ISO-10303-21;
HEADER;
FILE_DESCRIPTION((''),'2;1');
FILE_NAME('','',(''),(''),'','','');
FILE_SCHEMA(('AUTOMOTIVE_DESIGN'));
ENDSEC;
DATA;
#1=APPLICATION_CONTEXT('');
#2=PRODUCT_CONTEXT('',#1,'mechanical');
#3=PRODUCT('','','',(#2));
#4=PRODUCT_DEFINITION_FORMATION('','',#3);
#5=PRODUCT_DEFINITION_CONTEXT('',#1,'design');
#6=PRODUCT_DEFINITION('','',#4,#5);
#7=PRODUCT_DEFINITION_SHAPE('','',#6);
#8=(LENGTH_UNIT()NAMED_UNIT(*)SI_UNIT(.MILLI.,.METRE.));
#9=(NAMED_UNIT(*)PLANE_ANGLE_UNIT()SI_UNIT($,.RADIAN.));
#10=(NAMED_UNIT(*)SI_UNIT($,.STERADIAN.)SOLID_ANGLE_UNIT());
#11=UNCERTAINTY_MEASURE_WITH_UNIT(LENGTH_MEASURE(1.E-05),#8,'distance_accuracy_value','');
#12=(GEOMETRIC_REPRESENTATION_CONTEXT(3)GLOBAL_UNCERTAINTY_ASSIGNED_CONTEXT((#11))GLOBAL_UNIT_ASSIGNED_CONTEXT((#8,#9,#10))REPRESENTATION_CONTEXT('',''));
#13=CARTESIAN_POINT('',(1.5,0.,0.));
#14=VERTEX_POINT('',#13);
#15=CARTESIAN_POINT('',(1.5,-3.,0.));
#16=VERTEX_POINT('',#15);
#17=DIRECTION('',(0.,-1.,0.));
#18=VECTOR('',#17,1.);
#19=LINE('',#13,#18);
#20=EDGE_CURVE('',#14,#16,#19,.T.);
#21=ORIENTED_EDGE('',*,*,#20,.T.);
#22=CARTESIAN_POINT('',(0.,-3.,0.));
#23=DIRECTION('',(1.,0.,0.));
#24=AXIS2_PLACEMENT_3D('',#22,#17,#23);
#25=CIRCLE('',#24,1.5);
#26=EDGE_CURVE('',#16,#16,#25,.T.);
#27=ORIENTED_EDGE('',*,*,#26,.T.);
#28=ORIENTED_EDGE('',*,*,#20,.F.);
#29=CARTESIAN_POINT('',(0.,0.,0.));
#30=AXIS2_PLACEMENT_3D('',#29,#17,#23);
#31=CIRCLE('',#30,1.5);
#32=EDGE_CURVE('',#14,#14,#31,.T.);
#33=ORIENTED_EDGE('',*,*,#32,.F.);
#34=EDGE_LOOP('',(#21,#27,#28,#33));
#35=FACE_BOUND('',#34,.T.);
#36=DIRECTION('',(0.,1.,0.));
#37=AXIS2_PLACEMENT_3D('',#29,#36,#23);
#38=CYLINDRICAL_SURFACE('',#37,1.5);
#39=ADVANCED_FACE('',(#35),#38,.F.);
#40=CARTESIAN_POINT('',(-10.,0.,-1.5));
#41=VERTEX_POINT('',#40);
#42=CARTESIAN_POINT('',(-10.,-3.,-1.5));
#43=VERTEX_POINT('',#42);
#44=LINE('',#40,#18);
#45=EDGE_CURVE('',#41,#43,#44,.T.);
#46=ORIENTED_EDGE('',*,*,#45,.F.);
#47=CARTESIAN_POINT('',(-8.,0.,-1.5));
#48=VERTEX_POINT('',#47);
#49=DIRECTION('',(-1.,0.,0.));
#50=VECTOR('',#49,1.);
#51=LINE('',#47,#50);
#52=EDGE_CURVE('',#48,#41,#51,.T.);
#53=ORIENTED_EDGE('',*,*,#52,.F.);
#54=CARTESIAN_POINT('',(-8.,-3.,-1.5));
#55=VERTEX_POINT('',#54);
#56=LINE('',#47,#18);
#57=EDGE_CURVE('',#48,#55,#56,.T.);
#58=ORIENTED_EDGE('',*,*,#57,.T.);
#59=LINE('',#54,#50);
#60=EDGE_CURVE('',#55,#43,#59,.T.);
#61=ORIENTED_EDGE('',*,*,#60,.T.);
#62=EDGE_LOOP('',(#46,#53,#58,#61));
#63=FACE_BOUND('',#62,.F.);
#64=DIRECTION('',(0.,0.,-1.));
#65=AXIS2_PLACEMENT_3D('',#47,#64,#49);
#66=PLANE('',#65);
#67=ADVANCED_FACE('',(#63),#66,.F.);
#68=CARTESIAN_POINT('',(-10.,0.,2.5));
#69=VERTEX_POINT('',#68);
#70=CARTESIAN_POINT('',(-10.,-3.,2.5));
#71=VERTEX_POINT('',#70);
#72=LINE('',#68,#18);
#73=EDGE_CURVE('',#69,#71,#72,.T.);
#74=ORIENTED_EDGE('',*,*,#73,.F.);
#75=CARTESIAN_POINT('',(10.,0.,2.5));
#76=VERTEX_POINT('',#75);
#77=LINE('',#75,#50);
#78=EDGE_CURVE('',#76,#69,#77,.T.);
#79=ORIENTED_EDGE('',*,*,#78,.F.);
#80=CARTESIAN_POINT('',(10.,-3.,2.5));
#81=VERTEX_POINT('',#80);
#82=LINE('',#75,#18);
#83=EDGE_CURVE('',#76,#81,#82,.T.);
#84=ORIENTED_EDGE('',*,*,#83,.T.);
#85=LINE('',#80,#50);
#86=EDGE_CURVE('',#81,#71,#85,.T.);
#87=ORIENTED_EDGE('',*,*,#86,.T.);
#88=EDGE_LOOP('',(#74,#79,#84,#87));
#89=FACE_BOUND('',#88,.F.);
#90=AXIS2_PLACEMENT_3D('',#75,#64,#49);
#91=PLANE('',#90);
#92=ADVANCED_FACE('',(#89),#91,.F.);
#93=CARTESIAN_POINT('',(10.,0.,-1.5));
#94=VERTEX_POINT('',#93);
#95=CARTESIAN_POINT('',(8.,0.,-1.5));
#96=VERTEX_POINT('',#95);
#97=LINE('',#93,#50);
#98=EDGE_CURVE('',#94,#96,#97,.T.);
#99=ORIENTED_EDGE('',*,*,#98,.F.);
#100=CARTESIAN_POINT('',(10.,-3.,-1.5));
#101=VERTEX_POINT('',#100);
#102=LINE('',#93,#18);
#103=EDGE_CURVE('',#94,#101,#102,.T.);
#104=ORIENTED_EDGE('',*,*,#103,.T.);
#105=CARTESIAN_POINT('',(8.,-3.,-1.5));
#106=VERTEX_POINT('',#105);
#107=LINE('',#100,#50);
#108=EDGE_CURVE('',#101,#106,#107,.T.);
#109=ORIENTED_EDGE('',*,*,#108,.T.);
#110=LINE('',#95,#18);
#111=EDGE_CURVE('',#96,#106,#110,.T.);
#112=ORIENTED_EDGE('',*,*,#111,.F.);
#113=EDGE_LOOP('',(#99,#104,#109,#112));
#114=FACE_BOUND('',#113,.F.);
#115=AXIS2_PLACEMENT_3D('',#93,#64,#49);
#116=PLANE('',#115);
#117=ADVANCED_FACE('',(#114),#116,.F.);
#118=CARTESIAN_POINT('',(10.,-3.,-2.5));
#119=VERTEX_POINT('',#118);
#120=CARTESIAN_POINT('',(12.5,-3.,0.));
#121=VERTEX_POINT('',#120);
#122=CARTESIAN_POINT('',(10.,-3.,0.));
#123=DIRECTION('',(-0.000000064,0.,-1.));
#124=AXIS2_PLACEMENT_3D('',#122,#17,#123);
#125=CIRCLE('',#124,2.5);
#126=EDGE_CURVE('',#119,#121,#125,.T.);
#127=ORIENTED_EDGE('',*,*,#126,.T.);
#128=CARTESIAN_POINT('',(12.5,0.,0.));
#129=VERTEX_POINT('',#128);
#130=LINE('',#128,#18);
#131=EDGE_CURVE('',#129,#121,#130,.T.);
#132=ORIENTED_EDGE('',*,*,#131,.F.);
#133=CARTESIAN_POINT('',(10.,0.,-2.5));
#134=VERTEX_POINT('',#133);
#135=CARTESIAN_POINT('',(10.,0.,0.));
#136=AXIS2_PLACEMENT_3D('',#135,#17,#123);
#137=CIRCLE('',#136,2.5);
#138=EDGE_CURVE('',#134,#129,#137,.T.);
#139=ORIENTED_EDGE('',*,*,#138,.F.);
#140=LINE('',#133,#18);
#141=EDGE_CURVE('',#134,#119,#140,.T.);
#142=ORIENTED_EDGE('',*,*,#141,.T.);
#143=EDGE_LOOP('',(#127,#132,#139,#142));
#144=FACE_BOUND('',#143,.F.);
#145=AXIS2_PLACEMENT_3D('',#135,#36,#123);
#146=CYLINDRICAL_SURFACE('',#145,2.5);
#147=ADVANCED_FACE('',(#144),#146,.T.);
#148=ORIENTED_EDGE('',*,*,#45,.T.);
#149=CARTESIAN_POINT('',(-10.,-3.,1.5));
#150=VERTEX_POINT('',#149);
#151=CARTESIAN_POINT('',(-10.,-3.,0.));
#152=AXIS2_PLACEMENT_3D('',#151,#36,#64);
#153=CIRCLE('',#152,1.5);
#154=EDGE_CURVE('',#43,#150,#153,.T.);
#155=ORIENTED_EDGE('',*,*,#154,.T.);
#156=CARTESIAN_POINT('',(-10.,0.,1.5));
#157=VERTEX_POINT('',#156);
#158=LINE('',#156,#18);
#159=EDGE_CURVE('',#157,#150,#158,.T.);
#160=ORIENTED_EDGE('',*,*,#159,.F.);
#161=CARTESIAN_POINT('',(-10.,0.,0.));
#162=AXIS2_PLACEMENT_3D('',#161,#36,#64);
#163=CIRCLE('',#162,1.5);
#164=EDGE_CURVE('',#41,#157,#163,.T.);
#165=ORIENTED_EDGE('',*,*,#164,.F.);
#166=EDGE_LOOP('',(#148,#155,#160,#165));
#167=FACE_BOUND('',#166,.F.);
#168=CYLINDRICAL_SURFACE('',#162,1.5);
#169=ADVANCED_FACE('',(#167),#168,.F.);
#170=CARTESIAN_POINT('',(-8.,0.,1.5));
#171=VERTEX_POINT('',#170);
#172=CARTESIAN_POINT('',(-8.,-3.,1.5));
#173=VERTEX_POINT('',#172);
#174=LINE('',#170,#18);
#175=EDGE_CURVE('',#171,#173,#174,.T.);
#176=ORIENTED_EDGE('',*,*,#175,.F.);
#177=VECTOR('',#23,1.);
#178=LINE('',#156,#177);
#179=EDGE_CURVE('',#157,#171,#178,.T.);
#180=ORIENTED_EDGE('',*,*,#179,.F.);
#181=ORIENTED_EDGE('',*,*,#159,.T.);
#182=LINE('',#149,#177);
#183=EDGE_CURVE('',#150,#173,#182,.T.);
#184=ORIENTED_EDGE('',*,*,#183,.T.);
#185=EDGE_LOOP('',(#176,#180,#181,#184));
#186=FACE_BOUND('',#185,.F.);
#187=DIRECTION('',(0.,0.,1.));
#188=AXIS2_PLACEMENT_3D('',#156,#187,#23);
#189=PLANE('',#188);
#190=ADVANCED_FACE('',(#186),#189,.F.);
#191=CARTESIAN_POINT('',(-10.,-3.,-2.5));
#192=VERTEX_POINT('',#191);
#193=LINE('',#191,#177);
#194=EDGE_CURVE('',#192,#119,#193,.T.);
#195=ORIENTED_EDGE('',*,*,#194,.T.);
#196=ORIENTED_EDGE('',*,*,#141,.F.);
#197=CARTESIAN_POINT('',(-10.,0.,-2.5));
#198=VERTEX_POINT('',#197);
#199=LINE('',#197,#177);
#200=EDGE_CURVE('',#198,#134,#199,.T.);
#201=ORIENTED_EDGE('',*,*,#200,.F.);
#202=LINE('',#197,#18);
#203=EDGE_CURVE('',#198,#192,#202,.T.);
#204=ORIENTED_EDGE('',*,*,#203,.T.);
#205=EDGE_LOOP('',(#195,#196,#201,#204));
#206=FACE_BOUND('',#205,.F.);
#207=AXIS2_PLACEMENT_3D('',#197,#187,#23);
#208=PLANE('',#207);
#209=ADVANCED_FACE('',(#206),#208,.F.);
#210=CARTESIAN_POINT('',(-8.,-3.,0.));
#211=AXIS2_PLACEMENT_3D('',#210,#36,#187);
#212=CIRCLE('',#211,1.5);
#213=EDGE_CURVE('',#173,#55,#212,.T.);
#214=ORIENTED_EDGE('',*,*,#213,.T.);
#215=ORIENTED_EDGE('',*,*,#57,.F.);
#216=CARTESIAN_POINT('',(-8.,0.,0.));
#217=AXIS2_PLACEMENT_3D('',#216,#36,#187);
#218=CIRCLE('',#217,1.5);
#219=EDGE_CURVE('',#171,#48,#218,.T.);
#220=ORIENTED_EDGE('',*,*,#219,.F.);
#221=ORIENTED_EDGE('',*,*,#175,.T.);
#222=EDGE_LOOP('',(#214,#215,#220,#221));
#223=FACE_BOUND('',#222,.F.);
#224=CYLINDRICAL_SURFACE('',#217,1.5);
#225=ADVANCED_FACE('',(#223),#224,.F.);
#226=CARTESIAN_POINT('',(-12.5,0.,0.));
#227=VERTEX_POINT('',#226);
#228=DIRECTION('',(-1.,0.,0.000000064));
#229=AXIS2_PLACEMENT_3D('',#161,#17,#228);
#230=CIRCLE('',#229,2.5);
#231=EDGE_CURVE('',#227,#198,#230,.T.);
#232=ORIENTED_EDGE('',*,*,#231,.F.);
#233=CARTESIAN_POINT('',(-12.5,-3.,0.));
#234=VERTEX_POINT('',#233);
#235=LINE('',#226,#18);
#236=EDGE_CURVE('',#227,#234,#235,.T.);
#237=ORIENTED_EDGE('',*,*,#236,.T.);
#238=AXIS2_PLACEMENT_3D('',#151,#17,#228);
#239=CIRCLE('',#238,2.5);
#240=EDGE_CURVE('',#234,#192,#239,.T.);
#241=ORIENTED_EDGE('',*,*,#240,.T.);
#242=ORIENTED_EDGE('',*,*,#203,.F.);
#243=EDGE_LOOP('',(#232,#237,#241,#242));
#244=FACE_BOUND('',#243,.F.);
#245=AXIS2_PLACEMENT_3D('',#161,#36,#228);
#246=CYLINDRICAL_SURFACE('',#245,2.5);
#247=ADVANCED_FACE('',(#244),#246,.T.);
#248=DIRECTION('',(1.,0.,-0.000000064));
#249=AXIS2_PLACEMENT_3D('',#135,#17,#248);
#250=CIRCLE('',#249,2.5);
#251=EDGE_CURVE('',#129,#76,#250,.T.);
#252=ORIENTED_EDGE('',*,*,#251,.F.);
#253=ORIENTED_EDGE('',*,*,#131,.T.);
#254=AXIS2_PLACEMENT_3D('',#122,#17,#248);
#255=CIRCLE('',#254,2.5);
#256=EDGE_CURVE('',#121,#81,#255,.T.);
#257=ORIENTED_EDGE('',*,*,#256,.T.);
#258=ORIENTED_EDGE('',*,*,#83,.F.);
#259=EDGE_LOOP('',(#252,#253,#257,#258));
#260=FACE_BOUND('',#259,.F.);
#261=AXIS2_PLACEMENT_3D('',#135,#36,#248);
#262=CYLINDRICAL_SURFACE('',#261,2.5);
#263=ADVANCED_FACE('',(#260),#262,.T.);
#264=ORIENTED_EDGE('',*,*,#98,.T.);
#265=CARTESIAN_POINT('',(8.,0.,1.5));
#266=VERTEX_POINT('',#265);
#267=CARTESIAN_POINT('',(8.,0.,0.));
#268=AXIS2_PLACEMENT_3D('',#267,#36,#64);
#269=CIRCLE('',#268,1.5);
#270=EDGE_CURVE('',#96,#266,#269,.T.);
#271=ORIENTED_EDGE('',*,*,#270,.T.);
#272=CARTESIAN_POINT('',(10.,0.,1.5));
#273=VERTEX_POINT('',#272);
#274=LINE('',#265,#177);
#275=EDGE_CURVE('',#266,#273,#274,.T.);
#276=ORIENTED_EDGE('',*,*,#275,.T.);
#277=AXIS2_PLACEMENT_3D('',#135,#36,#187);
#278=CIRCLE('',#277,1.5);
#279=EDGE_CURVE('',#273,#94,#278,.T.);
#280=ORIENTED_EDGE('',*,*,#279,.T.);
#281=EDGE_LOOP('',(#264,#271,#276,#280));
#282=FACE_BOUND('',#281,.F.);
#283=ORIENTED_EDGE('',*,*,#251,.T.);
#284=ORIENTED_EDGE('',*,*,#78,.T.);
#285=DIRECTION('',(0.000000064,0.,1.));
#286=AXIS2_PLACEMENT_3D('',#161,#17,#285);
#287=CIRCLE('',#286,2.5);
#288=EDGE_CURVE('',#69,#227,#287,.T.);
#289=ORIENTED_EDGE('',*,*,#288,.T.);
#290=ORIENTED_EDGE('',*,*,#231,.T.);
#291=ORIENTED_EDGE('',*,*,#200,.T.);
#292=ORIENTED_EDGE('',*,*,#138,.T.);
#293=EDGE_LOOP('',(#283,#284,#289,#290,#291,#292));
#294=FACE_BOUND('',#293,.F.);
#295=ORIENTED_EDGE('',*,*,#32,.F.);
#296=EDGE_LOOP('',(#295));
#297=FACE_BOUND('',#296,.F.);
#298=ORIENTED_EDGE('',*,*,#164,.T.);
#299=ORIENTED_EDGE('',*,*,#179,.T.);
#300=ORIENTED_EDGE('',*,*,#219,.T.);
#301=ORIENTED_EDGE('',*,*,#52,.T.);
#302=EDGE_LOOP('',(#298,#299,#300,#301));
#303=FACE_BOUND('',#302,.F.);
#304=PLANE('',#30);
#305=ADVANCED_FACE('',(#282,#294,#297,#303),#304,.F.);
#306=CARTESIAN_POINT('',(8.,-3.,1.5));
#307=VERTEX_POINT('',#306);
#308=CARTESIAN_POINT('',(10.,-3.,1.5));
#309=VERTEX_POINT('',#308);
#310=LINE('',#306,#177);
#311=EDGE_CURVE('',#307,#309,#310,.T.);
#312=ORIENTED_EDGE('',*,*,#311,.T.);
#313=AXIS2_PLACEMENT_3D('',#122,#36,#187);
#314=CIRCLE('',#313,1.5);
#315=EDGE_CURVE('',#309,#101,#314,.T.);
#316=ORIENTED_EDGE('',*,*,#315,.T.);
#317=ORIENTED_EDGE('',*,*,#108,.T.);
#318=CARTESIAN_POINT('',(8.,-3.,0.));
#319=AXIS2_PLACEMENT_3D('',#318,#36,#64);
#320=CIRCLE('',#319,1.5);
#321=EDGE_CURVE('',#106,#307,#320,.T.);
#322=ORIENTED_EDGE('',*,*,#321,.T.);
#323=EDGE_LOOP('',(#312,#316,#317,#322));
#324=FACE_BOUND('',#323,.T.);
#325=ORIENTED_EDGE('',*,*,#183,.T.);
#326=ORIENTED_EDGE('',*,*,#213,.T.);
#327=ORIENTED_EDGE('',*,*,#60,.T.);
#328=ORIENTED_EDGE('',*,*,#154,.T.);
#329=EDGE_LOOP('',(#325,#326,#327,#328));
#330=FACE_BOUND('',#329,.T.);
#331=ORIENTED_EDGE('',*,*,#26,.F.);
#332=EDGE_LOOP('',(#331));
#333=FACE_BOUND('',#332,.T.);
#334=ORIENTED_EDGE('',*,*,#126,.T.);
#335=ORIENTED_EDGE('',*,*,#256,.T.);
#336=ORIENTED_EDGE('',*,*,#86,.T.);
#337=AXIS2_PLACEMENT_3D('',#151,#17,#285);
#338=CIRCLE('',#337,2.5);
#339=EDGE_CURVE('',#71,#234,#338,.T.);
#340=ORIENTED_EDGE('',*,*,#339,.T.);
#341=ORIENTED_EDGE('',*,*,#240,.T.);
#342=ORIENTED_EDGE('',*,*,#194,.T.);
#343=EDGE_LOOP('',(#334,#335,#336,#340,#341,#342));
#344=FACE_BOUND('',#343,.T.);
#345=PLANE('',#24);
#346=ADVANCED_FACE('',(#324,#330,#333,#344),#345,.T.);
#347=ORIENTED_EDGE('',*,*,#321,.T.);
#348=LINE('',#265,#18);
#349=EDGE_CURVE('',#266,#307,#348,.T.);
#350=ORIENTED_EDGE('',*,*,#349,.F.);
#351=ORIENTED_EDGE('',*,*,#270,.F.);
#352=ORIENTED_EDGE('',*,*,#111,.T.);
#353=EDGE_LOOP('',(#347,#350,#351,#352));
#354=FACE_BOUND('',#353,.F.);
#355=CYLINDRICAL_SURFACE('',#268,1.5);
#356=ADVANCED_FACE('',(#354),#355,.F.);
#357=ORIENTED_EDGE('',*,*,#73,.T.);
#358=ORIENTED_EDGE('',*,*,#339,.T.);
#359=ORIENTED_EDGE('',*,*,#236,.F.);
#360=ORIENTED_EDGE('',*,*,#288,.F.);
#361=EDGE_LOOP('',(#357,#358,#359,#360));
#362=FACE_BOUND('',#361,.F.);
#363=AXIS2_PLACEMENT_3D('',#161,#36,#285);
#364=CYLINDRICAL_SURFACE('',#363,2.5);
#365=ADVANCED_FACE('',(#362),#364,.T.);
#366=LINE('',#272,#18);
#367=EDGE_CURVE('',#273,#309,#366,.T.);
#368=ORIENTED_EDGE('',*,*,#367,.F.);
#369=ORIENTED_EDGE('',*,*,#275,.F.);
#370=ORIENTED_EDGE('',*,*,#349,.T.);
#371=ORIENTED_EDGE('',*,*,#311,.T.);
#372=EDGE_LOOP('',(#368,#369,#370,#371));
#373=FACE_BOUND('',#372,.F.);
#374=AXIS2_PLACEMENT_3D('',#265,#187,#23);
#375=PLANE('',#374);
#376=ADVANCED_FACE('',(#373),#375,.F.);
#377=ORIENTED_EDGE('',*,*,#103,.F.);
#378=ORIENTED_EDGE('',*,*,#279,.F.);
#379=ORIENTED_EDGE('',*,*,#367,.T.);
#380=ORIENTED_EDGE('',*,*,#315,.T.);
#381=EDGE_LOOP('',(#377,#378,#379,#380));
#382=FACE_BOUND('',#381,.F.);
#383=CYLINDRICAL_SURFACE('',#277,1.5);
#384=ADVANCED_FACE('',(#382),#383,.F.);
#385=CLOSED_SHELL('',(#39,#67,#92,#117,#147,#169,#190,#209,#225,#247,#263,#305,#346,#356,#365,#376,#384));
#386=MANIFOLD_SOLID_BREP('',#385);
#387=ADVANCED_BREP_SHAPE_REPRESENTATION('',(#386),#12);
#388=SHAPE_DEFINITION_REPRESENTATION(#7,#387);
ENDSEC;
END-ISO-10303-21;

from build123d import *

# Parameters (mm, degrees)
F0_R     = 1.5
F1_DEPTH = 3


with BuildPart() as f1:
    # F0 (on Front) → F1 (new body)
    with BuildSketch(Plane.XZ):
        with BuildLine():
            ThreePointArc((12.5, 0), (11.767767, 1.767767), (10, 2.5))
            Line((10, 2.5), (-10, 2.5))
            ThreePointArc((-10, 2.5), (-11.767767, 1.767767), (-12.5, 0))
            ThreePointArc((-12.5, 0), (-11.767767, -1.767767), (-10, -2.5))
            Line((-10, -2.5), (10, -2.5))
            ThreePointArc((10, -2.5), (11.767767, -1.767767), (12.5, 0))
        make_face()
        with BuildLine():
            ThreePointArc((-8, 1.5), (-6.5, 0), (-8, -1.5))
            Line((-8, -1.5), (-10, -1.5))
            ThreePointArc((-10, -1.5), (-11.5, 0), (-10, 1.5))
            Line((-10, 1.5), (-8, 1.5))
        make_face(mode=Mode.SUBTRACT)
        Circle(F0_R, mode=Mode.SUBTRACT)
        with BuildLine():
            ThreePointArc((10, 1.5), (11.5, 0), (10, -1.5))
            Line((10, -1.5), (8, -1.5))
            ThreePointArc((8, -1.5), (6.5, 0), (8, 1.5))
            Line((8, 1.5), (10, 1.5))
        make_face(mode=Mode.SUBTRACT)
    extrude(amount=F1_DEPTH)


solid = f1.part
